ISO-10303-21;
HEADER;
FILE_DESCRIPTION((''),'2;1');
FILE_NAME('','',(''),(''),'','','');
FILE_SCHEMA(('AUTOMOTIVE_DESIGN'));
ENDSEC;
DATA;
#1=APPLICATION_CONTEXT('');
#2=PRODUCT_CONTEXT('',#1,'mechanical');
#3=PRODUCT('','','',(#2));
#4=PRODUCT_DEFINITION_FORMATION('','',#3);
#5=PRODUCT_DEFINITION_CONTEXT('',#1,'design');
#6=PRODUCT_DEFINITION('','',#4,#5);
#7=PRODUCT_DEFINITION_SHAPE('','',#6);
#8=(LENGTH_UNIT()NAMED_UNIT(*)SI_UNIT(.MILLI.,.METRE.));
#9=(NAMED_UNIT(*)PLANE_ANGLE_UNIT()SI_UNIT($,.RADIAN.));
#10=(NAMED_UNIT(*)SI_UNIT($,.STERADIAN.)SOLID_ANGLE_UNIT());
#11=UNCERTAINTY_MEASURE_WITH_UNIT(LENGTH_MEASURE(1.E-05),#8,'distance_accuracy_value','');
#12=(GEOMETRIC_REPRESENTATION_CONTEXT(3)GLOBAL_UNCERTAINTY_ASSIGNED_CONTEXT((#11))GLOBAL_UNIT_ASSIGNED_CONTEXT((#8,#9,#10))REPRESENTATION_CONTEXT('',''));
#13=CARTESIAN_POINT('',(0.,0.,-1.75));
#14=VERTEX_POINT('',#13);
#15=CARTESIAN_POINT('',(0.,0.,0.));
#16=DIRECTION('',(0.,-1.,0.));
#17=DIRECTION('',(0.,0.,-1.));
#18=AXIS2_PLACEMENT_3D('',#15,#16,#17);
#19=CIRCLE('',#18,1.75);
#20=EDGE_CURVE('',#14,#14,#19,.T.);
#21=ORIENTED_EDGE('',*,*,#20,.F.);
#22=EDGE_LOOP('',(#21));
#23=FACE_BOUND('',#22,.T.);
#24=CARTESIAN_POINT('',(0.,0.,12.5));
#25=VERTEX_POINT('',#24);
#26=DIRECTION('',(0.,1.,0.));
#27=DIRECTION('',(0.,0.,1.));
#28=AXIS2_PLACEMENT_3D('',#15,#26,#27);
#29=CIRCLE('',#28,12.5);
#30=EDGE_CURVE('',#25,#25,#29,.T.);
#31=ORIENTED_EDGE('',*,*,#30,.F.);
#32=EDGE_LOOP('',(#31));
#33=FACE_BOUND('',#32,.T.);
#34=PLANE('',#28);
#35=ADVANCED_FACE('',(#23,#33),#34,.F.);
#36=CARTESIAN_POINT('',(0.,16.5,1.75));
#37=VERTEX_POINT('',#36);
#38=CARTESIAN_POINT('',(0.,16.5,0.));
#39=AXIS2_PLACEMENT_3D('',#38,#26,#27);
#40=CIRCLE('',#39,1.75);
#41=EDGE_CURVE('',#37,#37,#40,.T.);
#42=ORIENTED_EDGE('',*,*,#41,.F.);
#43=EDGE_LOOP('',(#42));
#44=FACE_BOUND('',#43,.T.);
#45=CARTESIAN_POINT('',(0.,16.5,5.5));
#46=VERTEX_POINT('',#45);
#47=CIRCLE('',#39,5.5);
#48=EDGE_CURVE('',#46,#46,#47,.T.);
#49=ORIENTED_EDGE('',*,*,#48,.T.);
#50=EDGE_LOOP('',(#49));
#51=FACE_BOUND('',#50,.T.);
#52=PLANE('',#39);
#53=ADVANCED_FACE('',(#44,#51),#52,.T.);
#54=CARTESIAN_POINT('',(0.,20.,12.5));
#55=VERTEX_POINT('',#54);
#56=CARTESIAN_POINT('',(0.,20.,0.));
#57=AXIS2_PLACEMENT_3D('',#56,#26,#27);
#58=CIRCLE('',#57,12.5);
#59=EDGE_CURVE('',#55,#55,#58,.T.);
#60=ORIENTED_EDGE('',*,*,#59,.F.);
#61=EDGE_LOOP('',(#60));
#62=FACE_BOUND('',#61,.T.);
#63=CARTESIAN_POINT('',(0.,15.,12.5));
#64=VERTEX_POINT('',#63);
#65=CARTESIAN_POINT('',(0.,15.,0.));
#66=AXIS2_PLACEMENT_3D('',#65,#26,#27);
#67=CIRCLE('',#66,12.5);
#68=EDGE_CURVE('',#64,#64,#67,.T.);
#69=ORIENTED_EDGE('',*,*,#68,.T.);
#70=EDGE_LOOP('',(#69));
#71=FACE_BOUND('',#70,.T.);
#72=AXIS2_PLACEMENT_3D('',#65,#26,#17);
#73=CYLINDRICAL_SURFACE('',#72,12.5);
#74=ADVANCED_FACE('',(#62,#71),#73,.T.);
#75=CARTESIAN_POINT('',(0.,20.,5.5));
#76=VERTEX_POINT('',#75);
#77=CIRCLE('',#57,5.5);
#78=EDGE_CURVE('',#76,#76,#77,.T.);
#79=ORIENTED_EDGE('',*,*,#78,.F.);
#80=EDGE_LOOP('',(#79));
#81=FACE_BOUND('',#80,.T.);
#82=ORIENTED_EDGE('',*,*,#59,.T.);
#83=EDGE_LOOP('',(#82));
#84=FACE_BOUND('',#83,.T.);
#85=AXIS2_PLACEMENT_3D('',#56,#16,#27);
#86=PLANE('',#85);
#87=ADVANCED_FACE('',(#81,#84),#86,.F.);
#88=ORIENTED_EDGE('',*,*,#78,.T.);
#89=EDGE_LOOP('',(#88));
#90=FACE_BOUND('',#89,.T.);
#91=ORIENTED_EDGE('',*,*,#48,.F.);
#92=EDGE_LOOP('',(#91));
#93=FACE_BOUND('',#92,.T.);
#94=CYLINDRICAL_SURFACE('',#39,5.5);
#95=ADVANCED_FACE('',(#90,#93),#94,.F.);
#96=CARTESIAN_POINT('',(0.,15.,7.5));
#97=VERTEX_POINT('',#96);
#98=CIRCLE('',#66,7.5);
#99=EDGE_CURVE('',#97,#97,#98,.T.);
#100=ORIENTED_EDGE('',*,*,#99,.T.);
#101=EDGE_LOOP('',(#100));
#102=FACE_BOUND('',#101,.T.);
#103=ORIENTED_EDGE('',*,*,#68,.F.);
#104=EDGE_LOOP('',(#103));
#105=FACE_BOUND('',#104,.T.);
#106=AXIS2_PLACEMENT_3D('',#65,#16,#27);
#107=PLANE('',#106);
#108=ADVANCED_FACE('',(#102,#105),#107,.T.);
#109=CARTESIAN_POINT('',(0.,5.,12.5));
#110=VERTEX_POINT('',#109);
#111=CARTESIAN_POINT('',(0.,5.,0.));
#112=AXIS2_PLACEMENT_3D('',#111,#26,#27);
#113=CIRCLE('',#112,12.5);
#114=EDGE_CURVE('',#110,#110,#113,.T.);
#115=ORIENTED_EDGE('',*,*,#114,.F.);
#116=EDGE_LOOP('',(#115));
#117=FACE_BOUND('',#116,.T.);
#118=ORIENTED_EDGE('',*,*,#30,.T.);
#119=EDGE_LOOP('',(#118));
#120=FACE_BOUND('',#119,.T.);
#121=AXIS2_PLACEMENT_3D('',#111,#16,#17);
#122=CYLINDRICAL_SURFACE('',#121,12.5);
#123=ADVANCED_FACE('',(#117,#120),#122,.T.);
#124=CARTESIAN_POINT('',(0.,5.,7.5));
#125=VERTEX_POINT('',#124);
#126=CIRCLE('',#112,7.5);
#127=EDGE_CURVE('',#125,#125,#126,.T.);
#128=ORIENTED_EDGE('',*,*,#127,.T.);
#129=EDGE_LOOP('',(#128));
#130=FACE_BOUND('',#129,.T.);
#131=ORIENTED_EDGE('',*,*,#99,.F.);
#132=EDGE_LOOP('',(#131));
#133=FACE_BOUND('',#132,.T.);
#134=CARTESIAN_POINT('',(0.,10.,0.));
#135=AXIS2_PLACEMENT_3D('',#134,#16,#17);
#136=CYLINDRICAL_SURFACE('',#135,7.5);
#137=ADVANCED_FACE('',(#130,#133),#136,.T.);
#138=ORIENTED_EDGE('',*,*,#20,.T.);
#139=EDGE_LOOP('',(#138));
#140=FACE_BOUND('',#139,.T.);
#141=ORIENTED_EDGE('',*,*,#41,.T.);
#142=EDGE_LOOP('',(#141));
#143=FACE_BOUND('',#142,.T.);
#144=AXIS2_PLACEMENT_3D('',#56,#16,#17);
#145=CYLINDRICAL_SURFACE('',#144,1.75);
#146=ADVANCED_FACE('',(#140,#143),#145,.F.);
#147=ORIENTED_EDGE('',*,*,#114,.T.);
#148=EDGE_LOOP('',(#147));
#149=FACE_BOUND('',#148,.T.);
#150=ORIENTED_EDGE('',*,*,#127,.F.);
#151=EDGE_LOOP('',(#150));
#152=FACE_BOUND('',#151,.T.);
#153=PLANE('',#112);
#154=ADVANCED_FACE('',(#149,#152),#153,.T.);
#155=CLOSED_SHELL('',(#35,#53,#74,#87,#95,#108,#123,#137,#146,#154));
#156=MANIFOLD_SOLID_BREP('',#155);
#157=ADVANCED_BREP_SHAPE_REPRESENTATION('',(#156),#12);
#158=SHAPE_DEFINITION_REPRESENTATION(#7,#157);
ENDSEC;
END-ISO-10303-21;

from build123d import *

# Parameters (mm, degrees)
SKETCH1_R           = 12.5
BOSS_EXTRUDE1_DEPTH = 5
SKETCH2_R           = 7.5
BOSS_EXTRUDE2_DEPTH = 5
SKETCH3_R           = 5.5
CUT_EXTRUDE1_DEPTH  = 3.5
SKETCH6_R           = 1.75
CUT_EXTRUDE2_DEPTH  = 21


with BuildPart() as part:
    # Sketch1 → Boss-Extrude1 (new body)
    with BuildSketch(Plane(origin=(0, 0, 0), x_dir=(1, 0, 0), z_dir=(0, 1, 0))):
        Circle(SKETCH1_R)
    extrude(amount=BOSS_EXTRUDE1_DEPTH)

    # Sketch2 → Boss-Extrude2 (add)
    with BuildSketch(Plane(origin=(0, 5, 0), x_dir=(1, 0, 0), z_dir=(0, 1, 0))):
        Circle(SKETCH2_R)
    extrude(amount=BOSS_EXTRUDE2_DEPTH)

    # Mirror6: part across plane


with BuildPart() as part_1:
    add(part.part)
    add(part.part.mirror(Plane.ZX.offset(10)))

    # Sketch3 → Cut-Extrude1 (cut)
    with BuildSketch(Plane(origin=(0, 20, 0), x_dir=(1, 0, 0), z_dir=(0, 1, 0))):
        Circle(SKETCH3_R)
    extrude(amount=-CUT_EXTRUDE1_DEPTH, mode=Mode.SUBTRACT)

    # Sketch6 → Cut-Extrude2 (cut, through all)
    with BuildSketch(Plane.XZ):
        Circle(SKETCH6_R)
    extrude(amount=-CUT_EXTRUDE2_DEPTH, mode=Mode.SUBTRACT)


solid = part_1.part
